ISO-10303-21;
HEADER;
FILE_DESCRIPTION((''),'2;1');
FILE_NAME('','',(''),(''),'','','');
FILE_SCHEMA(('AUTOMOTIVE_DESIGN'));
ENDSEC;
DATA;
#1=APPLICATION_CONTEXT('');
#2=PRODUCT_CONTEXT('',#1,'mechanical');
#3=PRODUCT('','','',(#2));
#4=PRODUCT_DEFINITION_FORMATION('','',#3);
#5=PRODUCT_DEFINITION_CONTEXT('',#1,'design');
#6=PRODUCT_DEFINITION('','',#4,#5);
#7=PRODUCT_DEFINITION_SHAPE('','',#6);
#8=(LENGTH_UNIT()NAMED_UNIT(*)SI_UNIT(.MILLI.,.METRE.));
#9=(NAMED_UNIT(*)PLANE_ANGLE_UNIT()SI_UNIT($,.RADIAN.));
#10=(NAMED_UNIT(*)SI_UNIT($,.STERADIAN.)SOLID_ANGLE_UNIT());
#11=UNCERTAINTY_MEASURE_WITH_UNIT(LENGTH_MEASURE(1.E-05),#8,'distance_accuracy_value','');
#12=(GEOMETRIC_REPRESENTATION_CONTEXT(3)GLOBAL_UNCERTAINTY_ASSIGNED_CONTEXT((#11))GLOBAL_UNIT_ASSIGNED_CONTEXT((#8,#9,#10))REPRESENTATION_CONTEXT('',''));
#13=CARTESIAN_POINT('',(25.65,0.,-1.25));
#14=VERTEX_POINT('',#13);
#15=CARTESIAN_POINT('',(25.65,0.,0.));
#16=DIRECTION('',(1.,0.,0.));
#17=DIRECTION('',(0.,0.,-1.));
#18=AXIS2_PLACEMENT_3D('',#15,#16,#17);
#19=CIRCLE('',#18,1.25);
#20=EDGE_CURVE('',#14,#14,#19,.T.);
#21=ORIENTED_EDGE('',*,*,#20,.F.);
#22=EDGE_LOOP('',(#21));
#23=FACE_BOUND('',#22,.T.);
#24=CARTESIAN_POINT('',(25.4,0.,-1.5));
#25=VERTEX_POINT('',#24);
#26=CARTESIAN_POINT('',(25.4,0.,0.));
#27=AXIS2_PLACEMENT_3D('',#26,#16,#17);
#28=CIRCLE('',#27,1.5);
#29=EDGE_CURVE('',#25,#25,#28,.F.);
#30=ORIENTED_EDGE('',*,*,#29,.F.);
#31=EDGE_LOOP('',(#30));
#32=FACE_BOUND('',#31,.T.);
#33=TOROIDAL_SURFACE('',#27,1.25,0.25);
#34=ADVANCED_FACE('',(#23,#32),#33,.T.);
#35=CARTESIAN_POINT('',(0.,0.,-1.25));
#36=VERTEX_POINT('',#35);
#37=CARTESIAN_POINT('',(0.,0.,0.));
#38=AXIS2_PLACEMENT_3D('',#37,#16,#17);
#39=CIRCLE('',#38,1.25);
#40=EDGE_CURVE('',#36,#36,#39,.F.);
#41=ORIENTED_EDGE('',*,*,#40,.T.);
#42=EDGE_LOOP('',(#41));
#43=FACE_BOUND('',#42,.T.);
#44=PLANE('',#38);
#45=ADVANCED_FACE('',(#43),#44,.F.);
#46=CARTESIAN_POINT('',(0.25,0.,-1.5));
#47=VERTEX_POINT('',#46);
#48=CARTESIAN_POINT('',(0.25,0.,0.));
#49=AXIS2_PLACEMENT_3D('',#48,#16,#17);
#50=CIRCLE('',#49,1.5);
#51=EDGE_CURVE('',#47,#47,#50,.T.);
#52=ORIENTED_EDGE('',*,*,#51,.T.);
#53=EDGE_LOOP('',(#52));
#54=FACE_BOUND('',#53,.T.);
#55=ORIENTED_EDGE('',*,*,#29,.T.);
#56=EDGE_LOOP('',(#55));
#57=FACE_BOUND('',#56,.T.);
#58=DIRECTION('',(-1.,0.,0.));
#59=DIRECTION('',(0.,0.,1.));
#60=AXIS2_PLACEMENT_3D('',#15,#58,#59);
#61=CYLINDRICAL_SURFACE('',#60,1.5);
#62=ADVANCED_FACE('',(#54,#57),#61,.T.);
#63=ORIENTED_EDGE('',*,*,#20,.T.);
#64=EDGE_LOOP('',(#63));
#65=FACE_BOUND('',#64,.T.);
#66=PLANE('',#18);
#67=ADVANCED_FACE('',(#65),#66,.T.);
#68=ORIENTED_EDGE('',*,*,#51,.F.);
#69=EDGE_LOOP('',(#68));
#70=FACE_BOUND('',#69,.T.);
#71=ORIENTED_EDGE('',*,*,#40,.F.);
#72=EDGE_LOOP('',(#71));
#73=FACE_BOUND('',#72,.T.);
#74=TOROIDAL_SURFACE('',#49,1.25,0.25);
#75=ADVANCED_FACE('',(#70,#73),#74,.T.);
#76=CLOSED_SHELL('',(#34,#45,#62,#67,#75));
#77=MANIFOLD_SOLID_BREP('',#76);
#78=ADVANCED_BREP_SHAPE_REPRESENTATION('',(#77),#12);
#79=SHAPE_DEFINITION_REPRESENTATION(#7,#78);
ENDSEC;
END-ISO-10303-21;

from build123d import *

# Parameters (mm, degrees)
SKETCH_1_R      = 1.5
EXTRUDE_1_DEPTH = 25.65
FILLET_1_R      = 0.25


with BuildPart() as part:
    # ｽｹｯﾁ1 → ﾎﾞｽ - 押し出し1 (new body)
    with BuildSketch(Plane(origin=(0, 0, 0), x_dir=(0, 0, -1), z_dir=(1, 0, 0))):
        Circle(SKETCH_1_R)
    extrude(amount=EXTRUDE_1_DEPTH)

    # ﾌｨﾚｯﾄ1
    fillet_1_edges = [part.edges().sort_by_distance(p)[0] for p in [
        (0, 0, 1.5),
        (25.65, 0, 1.5),
    ]]
    fillet(fillet_1_edges, radius=FILLET_1_R)


solid = part.part
